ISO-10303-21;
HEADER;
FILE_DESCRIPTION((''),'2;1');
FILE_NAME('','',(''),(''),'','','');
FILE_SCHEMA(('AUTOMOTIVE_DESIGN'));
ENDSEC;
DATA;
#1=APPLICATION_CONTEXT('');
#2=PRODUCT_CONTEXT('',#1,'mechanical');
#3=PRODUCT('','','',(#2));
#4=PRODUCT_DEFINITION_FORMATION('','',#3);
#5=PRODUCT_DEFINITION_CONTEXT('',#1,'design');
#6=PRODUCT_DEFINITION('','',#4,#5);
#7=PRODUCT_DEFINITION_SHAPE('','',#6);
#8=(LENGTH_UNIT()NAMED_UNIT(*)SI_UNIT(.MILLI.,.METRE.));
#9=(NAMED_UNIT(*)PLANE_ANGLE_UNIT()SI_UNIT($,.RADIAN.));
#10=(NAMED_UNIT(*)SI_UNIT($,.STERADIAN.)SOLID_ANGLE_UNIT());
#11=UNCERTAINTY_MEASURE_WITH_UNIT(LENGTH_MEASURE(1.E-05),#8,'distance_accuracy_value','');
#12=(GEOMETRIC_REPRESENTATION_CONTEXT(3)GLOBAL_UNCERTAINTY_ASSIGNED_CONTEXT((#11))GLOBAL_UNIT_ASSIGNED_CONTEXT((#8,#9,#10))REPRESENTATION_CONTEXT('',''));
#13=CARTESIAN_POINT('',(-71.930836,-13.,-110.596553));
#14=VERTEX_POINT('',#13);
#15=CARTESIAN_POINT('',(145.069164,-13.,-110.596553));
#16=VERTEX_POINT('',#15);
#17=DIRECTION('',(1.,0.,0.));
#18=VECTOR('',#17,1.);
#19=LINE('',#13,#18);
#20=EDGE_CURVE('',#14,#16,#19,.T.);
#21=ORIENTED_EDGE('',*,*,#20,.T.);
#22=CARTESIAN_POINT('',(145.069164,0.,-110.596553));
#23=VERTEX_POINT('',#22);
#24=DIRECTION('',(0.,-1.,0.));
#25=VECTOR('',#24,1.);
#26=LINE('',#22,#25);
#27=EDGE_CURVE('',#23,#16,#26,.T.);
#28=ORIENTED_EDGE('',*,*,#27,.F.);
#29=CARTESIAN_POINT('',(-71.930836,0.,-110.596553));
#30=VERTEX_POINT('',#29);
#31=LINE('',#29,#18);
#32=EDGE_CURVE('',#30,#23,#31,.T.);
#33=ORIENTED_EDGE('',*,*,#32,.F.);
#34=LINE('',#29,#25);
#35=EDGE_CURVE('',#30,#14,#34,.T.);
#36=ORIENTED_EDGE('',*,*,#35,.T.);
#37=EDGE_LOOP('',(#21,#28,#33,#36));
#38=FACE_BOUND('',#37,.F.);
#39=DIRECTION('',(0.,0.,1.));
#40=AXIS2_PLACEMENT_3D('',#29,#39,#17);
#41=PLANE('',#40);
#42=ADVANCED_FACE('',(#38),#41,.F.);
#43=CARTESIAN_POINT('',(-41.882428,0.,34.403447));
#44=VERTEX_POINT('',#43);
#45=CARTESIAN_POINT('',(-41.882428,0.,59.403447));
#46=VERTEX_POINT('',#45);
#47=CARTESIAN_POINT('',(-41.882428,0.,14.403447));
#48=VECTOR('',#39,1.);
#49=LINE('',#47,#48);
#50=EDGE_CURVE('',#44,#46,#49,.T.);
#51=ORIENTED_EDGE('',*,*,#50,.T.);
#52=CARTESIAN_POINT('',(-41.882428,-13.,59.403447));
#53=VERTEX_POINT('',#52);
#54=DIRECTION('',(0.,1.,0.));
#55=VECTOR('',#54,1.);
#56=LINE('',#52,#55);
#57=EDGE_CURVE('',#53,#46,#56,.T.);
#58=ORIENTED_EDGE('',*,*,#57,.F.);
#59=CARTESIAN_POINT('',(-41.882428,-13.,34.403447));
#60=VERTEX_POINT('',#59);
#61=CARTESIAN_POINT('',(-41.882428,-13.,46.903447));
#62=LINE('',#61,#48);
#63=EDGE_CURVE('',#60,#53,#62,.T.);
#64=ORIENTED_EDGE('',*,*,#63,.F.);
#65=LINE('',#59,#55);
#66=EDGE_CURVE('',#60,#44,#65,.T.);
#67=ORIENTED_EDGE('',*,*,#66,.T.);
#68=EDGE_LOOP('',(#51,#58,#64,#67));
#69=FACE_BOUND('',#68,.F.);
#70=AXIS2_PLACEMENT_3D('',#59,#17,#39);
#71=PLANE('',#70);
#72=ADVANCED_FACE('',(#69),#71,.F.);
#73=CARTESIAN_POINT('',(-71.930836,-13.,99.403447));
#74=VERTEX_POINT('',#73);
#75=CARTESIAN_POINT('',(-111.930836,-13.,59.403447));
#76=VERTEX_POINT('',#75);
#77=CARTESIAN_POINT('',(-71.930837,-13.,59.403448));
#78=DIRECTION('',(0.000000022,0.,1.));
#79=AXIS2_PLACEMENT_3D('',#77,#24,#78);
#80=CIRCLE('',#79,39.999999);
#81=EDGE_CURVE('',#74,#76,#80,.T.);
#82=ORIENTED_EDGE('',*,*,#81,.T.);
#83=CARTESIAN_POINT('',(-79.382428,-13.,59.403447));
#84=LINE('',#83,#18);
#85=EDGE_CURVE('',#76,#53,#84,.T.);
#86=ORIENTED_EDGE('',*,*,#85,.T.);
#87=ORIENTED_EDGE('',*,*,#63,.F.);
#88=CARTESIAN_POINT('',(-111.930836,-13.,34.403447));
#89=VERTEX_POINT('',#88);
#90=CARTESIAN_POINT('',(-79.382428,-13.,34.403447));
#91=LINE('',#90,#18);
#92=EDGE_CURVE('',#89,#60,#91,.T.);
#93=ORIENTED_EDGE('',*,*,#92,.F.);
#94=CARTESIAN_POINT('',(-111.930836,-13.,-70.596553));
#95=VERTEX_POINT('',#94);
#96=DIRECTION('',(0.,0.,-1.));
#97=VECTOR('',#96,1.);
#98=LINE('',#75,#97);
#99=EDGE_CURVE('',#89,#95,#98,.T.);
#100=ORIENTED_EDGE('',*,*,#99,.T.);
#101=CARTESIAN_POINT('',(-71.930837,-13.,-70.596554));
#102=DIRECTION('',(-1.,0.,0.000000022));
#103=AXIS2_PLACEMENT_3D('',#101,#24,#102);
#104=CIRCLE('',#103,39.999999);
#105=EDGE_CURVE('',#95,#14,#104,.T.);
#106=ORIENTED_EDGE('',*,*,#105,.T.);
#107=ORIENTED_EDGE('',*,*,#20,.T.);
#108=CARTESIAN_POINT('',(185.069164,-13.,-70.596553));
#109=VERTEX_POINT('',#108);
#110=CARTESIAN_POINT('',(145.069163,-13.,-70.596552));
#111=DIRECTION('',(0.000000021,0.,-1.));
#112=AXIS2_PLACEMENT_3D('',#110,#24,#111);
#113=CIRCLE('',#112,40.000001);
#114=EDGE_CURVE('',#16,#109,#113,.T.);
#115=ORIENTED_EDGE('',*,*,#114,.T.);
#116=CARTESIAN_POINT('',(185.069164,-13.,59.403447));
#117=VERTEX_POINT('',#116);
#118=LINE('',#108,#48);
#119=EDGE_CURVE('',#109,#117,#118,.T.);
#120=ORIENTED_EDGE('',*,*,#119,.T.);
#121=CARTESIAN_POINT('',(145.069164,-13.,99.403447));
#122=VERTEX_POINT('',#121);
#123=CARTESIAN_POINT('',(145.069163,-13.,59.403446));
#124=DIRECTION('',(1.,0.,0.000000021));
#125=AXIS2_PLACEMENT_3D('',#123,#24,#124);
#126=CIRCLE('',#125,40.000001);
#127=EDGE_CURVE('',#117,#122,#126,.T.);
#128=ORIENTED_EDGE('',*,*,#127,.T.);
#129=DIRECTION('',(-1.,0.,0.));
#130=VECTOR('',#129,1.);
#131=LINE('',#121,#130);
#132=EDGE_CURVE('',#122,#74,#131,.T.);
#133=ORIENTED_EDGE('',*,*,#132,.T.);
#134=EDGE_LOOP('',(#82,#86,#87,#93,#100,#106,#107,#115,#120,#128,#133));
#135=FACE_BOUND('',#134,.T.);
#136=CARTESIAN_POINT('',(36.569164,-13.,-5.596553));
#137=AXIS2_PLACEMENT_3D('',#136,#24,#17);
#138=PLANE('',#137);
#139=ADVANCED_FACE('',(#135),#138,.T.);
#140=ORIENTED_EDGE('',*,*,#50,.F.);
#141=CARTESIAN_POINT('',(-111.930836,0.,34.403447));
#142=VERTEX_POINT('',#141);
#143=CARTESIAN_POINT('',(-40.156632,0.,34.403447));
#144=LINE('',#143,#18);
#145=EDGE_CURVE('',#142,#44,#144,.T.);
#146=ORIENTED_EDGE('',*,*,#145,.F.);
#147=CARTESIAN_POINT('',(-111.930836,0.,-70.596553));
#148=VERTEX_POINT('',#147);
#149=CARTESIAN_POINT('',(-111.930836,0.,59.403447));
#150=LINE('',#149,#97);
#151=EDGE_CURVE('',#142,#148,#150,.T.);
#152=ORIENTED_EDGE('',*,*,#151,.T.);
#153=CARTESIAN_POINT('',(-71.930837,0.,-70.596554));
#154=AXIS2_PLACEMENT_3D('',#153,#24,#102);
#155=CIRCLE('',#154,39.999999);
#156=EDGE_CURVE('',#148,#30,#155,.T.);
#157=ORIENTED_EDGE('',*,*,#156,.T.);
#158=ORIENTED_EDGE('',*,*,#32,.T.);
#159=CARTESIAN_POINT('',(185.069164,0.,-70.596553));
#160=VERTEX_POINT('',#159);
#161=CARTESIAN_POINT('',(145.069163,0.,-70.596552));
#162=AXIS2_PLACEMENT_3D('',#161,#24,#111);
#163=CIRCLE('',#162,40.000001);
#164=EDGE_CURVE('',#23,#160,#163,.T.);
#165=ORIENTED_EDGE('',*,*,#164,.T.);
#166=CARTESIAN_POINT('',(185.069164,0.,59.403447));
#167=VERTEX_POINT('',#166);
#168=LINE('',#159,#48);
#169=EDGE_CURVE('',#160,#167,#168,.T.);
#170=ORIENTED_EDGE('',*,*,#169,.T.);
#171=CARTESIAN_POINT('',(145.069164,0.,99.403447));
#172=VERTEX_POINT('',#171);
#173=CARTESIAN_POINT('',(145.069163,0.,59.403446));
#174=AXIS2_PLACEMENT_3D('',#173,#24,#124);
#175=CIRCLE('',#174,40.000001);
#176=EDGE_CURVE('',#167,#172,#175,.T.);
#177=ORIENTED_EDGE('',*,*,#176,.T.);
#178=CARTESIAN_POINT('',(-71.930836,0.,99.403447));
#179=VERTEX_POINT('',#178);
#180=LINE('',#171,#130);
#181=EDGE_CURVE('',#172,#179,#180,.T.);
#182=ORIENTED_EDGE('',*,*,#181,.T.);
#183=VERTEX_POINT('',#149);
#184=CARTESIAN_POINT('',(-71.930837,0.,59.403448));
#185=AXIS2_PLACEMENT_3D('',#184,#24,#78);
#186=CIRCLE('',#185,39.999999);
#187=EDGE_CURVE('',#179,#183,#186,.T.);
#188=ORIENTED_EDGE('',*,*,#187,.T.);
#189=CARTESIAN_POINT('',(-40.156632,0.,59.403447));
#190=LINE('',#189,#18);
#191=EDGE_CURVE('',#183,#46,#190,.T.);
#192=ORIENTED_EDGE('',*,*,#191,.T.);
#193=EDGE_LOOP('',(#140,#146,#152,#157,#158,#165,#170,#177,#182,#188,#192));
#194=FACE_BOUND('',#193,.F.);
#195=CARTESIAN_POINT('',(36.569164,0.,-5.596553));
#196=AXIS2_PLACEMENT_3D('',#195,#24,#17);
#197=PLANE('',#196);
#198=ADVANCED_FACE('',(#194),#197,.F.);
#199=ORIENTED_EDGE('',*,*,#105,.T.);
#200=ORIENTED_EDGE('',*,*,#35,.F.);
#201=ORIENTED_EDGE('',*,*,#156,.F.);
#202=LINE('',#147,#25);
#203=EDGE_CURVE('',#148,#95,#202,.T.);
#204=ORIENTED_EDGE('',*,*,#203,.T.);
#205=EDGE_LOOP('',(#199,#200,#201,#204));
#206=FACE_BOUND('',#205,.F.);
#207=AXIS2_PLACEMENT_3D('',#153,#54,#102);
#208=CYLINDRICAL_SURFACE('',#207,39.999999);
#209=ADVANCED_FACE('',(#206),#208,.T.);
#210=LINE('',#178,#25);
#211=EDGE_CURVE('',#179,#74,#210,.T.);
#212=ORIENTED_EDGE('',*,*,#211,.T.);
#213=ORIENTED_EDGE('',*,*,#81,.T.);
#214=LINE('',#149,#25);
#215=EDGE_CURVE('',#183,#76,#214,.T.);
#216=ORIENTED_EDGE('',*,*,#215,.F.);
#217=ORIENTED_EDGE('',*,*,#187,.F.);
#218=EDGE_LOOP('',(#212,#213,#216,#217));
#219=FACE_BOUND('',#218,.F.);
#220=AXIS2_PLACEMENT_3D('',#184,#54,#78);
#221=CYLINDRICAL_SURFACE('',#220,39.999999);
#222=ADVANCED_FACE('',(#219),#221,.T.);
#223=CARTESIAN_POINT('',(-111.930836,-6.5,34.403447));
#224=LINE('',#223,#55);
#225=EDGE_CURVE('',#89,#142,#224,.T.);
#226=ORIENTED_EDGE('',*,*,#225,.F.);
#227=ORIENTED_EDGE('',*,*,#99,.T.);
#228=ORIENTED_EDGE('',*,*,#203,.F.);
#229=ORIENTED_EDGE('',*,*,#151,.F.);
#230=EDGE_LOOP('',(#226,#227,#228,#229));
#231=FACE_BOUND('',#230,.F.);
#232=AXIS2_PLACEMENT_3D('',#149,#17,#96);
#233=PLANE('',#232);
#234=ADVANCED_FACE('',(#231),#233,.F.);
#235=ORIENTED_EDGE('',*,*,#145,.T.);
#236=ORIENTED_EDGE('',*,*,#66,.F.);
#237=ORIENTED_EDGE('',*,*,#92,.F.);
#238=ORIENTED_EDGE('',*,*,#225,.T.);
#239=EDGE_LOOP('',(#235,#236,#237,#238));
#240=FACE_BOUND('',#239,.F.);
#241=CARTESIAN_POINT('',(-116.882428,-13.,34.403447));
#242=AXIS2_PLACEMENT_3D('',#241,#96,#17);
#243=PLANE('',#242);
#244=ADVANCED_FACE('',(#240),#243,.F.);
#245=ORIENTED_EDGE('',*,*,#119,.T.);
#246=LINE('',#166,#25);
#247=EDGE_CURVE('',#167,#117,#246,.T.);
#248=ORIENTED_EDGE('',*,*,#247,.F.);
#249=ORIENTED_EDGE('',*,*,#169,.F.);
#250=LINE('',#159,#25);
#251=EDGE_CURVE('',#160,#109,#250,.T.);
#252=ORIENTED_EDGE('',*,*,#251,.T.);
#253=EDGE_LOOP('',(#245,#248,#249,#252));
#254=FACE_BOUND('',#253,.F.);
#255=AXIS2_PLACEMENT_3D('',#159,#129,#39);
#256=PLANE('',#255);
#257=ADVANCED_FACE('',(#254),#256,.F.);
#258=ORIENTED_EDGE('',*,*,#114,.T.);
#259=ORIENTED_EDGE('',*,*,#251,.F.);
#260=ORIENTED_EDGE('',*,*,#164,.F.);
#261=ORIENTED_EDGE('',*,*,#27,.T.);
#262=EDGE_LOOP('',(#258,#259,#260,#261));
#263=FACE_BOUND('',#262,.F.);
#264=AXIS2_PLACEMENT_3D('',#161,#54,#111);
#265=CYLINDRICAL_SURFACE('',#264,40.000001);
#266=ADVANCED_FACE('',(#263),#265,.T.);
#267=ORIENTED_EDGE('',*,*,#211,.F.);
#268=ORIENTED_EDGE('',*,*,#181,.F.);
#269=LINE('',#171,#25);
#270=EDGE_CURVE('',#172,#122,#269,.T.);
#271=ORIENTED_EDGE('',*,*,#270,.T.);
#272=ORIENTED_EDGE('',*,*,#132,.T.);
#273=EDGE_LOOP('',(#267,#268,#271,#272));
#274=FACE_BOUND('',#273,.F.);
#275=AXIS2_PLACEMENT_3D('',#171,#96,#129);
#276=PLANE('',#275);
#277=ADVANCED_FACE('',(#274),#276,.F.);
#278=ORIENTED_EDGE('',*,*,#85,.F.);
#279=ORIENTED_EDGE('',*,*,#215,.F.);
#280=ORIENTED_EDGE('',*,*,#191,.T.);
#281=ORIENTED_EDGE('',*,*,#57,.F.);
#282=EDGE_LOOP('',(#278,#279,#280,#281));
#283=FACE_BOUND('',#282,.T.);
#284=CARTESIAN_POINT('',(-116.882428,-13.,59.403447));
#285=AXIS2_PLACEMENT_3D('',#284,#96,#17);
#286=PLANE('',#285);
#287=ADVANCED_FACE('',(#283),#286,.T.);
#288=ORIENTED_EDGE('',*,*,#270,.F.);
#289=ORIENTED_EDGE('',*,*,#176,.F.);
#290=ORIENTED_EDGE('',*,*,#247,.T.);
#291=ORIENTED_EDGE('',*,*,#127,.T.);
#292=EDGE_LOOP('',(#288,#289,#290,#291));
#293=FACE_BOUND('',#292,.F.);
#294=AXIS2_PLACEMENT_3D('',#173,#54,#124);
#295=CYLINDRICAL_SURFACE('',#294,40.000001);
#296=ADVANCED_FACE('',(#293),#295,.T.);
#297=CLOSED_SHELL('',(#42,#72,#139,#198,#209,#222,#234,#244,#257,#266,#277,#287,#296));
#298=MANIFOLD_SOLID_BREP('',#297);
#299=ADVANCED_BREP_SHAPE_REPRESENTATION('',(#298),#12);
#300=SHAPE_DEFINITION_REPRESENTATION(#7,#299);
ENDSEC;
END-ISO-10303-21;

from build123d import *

# Parameters (mm, degrees)
F1_DEPTH = 13
F2_W     = 75
F2_H     = 25
F3_DEPTH = 25


with BuildPart() as f1:
    # F0 (on Front) → F1 (new body)
    with BuildSketch(Plane.XZ):
        with BuildLine():
            Line((145.069164, 99.403447), (-71.930836, 99.403447))
            ThreePointArc((-71.930836, 99.403447), (-100.215108, 87.687718), (-111.930836, 59.403447))
            Line((-111.930836, 59.403447), (-111.930836, -70.596553))
            ThreePointArc((-111.930836, -70.596553), (-100.215108, -98.880824), (-71.930836, -110.596553))
            Line((-71.930836, -110.596553), (145.069164, -110.596553))
            ThreePointArc((145.069164, -110.596553), (173.353435, -98.880824), (185.069164, -70.596553))
            Line((185.069164, -70.596553), (185.069164, 59.403447))
            ThreePointArc((185.069164, 59.403447), (173.353435, 87.687718), (145.069164, 99.403447))
        make_face()
    extrude(amount=F1_DEPTH)

    # F2 (on face) → F3 (cut)
    with BuildSketch(Plane.XZ.offset(13)):
        with Locations((-79.382428, 46.903447)):
            Rectangle(F2_W, F2_H)
    extrude(amount=-F3_DEPTH, mode=Mode.SUBTRACT)


solid = f1.part
